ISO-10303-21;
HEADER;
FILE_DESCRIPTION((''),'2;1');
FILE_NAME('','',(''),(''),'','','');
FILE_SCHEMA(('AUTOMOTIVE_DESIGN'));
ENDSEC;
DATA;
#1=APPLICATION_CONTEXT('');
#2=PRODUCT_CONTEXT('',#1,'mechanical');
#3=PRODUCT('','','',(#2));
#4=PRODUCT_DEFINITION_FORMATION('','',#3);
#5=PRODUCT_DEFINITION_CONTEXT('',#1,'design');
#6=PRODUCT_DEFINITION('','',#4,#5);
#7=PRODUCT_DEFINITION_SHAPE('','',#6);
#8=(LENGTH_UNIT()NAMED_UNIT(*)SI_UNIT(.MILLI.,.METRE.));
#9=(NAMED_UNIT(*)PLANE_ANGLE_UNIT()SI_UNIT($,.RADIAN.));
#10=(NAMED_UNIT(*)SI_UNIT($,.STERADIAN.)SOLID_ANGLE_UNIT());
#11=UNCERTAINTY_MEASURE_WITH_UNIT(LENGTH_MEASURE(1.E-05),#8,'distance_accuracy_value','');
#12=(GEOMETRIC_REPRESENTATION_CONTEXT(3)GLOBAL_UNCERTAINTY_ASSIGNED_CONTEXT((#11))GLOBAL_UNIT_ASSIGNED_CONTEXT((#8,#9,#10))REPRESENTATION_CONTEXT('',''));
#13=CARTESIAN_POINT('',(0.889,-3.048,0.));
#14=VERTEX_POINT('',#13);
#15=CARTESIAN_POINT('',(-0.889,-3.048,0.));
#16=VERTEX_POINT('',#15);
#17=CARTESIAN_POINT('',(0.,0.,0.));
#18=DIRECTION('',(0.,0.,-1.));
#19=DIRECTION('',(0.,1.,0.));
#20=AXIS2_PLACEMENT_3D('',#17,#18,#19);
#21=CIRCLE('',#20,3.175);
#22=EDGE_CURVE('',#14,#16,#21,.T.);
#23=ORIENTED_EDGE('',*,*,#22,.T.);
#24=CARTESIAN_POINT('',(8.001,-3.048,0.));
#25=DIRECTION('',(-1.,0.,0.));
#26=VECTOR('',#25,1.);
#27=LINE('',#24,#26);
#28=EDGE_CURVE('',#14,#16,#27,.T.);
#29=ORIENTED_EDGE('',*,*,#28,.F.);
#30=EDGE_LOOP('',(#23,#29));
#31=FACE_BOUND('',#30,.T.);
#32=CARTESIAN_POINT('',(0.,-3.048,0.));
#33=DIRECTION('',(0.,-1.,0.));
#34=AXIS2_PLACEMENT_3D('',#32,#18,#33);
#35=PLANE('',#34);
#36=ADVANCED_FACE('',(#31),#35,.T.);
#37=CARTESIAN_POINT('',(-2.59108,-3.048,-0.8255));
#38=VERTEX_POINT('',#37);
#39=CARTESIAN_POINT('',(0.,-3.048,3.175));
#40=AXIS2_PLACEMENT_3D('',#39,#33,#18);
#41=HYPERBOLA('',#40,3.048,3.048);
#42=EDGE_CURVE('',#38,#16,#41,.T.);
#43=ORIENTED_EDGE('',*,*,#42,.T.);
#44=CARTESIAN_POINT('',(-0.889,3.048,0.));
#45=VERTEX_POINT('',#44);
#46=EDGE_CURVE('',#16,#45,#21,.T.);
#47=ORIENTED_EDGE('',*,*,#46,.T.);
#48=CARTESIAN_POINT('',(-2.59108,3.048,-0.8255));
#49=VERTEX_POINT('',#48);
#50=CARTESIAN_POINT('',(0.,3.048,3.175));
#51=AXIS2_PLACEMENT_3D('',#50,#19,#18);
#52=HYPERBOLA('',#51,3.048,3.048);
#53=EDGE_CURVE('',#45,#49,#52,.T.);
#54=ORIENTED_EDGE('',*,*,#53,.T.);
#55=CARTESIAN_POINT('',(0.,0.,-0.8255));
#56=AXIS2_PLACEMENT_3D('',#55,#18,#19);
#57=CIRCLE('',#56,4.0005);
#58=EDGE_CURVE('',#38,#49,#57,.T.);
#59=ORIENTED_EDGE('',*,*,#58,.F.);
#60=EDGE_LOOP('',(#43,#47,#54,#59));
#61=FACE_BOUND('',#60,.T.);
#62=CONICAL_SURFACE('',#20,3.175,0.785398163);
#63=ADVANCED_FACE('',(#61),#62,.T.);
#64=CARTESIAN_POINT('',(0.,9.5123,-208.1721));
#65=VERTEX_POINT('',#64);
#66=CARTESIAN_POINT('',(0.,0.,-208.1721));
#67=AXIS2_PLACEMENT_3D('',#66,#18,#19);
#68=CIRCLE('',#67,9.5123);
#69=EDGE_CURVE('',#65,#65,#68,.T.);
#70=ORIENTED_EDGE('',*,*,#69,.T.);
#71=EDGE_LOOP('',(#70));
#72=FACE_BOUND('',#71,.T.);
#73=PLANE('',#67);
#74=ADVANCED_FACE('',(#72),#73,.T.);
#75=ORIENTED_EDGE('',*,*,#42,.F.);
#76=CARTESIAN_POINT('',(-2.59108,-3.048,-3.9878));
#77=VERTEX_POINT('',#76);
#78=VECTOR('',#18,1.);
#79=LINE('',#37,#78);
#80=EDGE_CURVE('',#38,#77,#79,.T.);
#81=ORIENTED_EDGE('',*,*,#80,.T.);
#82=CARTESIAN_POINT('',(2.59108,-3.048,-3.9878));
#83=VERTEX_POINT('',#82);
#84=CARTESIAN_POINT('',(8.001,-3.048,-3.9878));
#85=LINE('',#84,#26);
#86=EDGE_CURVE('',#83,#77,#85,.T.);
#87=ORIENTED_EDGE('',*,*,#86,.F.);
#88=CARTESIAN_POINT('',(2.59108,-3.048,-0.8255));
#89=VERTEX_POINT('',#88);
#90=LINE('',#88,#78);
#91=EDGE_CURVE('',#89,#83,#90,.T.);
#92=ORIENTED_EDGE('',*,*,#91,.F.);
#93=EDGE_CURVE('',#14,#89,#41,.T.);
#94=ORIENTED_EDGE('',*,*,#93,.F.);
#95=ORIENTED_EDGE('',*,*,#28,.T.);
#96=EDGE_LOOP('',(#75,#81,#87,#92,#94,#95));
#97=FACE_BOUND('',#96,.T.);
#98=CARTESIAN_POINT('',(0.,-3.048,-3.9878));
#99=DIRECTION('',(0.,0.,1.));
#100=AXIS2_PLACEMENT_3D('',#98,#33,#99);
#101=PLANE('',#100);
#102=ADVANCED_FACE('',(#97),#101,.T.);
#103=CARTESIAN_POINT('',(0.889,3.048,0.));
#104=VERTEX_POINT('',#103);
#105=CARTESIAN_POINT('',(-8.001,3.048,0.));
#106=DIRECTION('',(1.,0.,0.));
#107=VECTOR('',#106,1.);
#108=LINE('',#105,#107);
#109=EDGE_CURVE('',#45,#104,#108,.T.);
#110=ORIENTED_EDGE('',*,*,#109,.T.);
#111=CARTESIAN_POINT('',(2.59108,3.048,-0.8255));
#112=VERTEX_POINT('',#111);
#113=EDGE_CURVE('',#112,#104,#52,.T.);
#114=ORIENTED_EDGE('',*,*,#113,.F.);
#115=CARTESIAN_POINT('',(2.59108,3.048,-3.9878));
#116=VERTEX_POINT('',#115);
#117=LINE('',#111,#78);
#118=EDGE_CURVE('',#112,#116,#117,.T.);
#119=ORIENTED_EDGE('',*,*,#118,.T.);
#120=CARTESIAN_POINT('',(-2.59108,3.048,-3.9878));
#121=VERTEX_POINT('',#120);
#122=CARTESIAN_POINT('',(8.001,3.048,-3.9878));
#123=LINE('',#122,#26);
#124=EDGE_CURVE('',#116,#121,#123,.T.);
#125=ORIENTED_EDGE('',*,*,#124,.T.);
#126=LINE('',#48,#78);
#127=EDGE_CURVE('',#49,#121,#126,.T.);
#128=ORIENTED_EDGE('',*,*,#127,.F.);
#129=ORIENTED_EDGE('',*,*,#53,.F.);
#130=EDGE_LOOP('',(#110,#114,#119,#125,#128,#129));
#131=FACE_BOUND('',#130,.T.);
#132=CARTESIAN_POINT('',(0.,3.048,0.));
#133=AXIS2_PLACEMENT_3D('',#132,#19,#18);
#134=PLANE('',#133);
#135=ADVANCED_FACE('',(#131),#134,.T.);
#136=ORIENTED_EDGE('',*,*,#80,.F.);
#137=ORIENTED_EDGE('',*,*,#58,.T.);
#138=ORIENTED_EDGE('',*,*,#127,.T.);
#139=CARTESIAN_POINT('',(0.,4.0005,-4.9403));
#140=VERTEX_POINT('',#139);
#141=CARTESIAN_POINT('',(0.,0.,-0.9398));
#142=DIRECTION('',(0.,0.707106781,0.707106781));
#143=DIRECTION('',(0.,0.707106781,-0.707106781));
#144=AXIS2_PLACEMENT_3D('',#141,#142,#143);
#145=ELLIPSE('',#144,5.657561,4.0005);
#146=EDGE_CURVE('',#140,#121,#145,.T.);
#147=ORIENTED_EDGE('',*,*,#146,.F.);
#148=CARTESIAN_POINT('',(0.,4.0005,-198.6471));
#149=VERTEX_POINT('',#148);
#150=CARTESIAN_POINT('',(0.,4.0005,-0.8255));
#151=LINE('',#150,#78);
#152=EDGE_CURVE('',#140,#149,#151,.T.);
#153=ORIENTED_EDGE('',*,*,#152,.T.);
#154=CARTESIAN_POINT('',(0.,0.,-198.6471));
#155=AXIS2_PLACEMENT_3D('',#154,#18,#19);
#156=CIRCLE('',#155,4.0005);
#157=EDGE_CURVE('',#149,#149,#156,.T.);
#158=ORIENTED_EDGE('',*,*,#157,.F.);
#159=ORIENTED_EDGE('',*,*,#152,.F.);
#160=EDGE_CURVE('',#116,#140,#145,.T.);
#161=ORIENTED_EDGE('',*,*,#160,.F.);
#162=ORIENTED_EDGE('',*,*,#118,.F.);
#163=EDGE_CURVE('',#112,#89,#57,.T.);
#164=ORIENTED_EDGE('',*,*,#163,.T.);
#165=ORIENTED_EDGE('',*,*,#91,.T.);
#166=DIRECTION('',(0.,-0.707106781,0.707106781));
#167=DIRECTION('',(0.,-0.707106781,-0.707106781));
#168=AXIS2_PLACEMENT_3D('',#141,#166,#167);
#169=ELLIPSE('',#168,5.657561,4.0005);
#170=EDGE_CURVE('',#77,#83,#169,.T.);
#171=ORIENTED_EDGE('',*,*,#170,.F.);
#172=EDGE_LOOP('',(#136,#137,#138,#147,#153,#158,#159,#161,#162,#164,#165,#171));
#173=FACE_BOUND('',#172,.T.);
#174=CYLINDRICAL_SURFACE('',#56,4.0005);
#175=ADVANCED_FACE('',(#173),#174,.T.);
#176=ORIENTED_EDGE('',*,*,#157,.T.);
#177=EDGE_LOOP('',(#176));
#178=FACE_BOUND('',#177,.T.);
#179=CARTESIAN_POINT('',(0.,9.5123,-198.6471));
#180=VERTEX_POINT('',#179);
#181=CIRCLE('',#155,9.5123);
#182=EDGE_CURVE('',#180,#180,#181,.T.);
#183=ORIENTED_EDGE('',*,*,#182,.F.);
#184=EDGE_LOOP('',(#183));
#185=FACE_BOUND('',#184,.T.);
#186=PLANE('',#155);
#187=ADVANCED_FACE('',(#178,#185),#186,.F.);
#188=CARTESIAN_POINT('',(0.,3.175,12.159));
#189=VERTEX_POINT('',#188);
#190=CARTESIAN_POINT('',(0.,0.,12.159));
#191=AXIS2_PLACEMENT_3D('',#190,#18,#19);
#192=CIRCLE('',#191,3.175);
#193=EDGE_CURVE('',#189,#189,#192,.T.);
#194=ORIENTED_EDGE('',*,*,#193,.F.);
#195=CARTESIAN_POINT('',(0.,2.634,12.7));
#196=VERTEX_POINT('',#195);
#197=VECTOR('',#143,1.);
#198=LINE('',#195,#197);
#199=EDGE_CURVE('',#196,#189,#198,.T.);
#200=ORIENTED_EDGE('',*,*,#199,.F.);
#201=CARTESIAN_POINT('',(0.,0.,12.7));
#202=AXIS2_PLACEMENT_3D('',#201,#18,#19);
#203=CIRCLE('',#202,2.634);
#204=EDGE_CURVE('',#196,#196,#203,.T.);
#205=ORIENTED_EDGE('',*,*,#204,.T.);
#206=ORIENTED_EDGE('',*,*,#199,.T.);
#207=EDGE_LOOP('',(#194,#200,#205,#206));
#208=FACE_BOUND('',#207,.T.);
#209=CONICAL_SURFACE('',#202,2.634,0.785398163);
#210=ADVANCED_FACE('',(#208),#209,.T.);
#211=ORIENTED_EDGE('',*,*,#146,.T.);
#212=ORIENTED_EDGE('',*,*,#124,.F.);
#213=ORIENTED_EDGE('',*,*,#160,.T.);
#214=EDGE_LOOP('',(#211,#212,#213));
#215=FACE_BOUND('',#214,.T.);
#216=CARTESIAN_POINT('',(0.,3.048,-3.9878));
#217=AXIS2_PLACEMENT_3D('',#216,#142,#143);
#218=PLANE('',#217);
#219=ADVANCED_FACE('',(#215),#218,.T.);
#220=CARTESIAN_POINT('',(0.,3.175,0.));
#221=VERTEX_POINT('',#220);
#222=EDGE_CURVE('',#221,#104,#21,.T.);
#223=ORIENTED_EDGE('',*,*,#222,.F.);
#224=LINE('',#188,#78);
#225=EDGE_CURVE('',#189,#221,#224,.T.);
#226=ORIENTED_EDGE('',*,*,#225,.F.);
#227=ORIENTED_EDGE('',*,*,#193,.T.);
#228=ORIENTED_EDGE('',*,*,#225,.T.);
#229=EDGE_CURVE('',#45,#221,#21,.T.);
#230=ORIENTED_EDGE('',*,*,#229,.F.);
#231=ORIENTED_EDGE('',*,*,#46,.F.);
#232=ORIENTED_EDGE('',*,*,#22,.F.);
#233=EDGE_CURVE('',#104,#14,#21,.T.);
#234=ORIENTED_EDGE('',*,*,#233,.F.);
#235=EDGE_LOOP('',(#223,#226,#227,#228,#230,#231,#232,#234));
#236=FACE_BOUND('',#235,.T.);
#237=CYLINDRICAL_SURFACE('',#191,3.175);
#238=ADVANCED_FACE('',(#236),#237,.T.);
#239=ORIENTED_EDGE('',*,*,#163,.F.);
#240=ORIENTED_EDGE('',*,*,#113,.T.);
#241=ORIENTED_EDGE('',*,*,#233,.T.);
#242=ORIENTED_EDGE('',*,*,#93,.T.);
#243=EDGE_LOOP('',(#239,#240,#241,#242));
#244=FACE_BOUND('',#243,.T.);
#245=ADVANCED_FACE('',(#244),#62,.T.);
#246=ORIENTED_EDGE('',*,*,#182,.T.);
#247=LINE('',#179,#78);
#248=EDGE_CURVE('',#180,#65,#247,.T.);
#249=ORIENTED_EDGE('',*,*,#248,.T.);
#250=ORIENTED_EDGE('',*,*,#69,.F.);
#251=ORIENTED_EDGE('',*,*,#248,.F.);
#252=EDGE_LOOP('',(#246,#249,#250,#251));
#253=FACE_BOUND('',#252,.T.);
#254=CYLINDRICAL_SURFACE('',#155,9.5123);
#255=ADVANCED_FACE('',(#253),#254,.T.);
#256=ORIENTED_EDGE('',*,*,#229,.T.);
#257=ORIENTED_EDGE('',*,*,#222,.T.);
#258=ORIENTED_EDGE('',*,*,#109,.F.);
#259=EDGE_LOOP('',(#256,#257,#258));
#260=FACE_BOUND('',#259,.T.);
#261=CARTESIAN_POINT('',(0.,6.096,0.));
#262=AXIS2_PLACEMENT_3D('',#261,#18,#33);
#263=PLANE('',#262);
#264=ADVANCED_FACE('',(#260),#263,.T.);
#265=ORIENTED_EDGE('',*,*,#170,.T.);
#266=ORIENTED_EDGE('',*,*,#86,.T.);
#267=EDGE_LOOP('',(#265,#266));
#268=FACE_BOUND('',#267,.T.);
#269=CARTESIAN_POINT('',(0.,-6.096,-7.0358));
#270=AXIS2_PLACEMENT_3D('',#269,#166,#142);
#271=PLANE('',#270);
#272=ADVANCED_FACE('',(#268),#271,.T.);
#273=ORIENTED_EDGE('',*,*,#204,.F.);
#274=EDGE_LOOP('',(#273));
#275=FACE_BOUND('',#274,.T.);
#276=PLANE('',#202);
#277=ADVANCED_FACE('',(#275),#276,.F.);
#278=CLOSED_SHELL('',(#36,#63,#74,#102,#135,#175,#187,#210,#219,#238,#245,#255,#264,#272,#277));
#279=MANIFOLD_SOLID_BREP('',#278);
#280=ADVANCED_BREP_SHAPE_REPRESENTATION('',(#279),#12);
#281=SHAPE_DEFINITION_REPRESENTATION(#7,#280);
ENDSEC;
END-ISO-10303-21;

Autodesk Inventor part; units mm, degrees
sketch "Sketch_1" plane through (0, 0, 0) normal (1, 0, 0) x (0, 1, 0)
  line L0 (0, -208.1721) -> (0, 12.7)
  line L1 (0, 12.7) -> (2.634, 12.7)
  line L2 (2.634, 12.7) -> (3.175, 12.159)
  line L3 (3.175, 12.159) -> (3.175, 0)
  line L4 (3.175, 0) -> (4.0005, -0.8255)
  line L5 (4.0005, -0.8255) -> (4.0005, -198.6471)
  line L6 (4.0005, -198.6471) -> (9.5123, -198.6471)
  line L7 (9.5123, -198.6471) -> (9.5123, -208.1721)
  line L8 (9.5123, -208.1721) -> (0, -208.1721)
  line L9 (0, -208.1721) -> (0, 12.7)
revolve "Revolution1" add sketch "Sketch_1" angle 360 about axis through (0, 0, -208.1721) along (0, 0, -1)
thread "Thread1" size "1/4-28 UNF" class "2A" standard "ANSI Unified Screw Threads" full length
sketch "Sketch_2" plane through (0, 0, 0) normal (1, 0, 0) x (0, 1, 0)
  line L0 (6.096, 0) -> (3.048, 0)
  line L1 (3.048, 0) -> (3.048, -3.9878)
  line L2 (3.048, -3.9878) -> (6.096, -7.0358)
  line L3 (6.096, -7.0358) -> (6.096, 0)
extrude "Extrusion1" cut sketch "Sketch_2" along normal mid plane 16.002
sketch "Sketch_3" plane through (0, 0, 0) normal (1, 0, 0) x (0, 1, 0)
  line L0 (-6.096, 0) -> (-6.096, -7.0358)
  line L1 (-6.096, -7.0358) -> (-3.048, -3.9878)
  line L2 (-3.048, -3.9878) -> (-3.048, 0)
  line L3 (-3.048, 0) -> (-6.096, 0)
extrude "Extrusion2" cut sketch "Sketch_3" along normal mid plane 16.002
ref_plane "conn_XY" through (0, 0, 0) normal (0, 0, -1) x (1, 0, 0)
ref_plane "conn_YZ" through (0, 0, 0) normal (1, 0, 0) x (0, -1, 0)
ref_plane "conn_ZX" through (0, 0, 0) normal (0, -1, 0) x (0, 0, -1)
properties part number "PR_OCG1-3/4x6" material "Stainless Steel"
